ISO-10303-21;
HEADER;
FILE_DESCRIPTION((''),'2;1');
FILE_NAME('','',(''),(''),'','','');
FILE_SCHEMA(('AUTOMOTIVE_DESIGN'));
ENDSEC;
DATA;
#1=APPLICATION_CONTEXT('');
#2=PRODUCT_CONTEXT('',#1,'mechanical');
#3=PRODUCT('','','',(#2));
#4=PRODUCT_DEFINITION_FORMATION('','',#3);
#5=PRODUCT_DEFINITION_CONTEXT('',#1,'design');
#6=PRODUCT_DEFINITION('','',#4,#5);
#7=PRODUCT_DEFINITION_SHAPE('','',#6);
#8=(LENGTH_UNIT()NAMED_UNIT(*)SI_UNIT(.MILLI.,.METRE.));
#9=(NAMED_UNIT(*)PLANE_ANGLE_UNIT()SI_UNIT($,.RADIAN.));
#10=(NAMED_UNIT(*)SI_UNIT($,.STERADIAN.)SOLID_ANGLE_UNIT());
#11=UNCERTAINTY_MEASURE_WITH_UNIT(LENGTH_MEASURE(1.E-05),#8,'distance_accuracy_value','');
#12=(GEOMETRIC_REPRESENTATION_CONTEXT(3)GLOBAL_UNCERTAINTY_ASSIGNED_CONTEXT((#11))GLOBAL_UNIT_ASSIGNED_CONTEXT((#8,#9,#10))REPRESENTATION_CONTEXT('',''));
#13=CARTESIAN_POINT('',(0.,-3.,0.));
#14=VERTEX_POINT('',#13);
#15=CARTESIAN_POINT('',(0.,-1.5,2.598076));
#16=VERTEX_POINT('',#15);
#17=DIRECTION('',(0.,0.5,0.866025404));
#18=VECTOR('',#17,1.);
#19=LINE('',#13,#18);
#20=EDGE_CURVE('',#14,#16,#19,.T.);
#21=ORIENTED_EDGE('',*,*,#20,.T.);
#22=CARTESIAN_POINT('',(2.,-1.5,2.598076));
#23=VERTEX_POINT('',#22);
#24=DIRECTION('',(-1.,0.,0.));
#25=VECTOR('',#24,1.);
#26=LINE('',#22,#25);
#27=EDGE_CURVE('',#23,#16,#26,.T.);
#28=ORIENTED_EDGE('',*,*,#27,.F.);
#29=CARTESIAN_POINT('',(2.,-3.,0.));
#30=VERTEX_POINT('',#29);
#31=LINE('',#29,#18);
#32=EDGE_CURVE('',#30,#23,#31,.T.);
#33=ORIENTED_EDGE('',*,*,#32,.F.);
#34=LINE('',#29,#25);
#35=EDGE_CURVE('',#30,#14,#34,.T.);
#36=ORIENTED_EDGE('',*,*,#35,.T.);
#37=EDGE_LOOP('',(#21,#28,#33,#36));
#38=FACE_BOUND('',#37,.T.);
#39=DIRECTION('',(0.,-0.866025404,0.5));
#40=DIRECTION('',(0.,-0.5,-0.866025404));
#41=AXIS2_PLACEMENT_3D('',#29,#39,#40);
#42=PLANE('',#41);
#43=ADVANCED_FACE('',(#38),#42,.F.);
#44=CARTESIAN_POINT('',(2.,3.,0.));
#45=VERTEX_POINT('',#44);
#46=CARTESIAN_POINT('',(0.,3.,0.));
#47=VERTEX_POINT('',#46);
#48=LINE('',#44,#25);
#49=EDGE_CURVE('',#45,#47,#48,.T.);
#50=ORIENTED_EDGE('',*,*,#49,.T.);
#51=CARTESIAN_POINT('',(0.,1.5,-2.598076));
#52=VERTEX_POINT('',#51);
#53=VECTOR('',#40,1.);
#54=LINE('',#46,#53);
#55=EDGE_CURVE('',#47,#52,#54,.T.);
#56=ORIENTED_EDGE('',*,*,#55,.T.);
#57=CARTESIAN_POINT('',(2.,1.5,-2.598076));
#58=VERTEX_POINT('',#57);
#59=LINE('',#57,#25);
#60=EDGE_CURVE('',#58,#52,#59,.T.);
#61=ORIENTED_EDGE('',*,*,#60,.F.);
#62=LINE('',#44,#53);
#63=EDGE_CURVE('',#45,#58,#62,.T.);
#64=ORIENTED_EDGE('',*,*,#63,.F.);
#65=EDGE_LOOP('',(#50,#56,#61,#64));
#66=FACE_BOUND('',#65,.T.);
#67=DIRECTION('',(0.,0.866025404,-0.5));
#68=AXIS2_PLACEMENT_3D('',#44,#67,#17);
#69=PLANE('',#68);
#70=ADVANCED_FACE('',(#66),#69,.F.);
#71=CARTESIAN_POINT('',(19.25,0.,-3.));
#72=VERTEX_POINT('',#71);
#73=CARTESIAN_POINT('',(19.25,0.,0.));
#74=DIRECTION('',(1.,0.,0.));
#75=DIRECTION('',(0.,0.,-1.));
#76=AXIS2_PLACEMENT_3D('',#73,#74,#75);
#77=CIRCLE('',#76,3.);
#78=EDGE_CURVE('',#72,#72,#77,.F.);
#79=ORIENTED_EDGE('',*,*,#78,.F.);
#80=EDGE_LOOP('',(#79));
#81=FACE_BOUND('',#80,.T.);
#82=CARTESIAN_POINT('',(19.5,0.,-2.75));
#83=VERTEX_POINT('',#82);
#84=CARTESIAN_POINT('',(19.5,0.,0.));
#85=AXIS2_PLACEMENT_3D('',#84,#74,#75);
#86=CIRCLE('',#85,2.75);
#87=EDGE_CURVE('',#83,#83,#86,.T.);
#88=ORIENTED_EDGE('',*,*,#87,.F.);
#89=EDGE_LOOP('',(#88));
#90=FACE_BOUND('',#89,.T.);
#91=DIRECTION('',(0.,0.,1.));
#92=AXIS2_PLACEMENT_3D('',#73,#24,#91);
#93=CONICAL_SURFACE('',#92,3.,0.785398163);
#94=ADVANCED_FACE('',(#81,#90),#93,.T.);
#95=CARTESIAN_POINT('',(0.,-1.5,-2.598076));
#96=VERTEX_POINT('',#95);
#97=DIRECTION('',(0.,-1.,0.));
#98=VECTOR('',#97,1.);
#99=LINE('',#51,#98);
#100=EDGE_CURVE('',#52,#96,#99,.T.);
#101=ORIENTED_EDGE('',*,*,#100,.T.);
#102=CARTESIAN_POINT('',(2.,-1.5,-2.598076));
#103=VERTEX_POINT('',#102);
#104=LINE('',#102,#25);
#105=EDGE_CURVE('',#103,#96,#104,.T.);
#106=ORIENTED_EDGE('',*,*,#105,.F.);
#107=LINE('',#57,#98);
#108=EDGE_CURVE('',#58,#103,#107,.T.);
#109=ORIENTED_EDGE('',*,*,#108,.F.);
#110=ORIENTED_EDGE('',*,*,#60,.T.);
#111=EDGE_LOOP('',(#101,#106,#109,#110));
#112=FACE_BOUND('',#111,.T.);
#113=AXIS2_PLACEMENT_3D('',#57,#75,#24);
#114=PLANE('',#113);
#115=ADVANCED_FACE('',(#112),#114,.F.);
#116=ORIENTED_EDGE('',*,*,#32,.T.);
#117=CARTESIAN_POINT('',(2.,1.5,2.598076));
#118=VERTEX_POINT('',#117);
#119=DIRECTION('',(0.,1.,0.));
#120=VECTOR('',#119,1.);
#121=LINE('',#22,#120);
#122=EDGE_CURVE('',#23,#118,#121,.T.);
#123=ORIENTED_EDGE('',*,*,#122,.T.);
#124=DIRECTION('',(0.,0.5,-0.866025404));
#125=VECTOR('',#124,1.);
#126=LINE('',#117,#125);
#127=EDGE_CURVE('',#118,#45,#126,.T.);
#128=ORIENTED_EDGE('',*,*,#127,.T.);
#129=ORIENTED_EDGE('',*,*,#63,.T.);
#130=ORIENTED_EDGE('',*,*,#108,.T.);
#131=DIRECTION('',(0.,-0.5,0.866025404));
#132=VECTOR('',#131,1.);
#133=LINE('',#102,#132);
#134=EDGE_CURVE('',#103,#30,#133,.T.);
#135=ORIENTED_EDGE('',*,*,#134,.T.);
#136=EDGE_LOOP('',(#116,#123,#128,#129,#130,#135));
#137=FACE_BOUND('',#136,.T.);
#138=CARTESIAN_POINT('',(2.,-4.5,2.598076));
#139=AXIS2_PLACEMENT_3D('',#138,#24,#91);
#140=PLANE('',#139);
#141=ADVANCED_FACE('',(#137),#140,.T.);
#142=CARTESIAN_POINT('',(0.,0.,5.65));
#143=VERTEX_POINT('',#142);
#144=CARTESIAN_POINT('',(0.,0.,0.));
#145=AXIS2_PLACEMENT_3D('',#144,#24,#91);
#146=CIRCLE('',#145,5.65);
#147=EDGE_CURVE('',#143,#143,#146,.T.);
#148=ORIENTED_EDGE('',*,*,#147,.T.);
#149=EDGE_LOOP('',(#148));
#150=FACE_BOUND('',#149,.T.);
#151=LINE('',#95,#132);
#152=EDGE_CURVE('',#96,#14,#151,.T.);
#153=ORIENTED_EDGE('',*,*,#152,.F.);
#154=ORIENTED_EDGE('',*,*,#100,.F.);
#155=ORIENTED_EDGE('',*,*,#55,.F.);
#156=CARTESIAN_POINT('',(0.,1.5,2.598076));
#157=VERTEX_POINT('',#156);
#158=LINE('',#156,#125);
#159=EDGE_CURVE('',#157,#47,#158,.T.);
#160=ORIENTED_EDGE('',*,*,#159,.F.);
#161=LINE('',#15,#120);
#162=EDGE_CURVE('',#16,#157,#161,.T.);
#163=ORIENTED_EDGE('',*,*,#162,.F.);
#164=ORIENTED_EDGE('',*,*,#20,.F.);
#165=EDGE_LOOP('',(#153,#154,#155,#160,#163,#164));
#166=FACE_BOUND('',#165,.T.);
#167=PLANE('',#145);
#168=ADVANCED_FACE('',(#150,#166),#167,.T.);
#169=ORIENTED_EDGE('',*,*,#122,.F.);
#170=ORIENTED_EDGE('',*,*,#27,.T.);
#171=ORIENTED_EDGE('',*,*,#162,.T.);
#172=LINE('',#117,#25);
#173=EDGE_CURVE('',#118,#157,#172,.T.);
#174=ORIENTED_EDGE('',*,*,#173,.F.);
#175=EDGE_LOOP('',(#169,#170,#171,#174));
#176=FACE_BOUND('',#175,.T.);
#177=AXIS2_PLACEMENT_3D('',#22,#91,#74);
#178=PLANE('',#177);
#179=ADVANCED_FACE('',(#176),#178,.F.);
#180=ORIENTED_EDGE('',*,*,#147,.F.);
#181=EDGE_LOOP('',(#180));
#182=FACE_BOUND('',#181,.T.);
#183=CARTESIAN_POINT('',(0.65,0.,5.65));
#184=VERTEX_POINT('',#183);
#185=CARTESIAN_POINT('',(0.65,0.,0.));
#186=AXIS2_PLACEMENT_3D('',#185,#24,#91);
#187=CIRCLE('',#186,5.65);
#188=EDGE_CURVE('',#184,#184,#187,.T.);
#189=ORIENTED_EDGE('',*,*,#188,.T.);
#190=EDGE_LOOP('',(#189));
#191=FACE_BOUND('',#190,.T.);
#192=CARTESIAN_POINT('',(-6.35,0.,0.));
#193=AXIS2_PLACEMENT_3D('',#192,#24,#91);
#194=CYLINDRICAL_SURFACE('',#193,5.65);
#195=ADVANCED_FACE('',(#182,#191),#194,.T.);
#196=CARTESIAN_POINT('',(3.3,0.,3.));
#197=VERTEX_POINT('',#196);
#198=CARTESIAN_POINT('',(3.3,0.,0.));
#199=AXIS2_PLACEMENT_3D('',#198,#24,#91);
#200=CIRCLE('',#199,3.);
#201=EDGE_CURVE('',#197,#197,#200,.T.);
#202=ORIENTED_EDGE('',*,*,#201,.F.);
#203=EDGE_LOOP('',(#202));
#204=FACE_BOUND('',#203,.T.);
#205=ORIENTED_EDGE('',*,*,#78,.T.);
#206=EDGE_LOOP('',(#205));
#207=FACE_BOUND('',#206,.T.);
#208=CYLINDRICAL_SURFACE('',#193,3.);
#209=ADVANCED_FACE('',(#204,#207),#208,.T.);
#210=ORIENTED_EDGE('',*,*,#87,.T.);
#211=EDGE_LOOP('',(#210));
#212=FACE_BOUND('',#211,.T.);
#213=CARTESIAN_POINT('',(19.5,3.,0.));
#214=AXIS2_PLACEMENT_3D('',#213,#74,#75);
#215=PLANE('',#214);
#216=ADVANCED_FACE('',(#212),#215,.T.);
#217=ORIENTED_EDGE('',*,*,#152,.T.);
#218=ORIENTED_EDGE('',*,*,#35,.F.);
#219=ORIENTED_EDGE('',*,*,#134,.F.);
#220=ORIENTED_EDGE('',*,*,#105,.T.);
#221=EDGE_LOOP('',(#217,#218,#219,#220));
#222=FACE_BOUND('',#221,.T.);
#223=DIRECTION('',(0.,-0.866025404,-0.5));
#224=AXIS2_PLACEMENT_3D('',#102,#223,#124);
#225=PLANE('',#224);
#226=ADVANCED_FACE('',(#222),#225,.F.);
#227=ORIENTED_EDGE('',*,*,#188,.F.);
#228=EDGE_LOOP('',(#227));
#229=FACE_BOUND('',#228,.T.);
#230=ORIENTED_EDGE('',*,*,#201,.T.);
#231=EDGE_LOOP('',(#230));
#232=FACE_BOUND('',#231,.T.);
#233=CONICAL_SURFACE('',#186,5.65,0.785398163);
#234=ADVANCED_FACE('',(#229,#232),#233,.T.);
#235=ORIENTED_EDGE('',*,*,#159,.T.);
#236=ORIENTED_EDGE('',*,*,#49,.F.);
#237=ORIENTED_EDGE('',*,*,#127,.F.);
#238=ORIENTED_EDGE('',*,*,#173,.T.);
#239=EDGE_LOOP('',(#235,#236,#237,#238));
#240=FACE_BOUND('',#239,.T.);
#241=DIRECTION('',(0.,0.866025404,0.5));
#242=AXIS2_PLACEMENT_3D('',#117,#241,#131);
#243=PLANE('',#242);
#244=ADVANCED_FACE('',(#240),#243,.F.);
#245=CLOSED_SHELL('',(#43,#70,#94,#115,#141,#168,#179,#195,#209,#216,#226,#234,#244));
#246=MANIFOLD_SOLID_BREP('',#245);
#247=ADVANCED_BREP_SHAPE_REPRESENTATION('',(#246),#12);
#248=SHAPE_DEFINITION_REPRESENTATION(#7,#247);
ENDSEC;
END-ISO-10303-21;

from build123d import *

# Parameters (mm, degrees)
CUT_EXTRUDE1_DEPTH = 2
CHAMFER1_SIZE      = 0.25


with BuildPart() as part:
    # BodySke → Base-Revolve (revolve)
    with BuildSketch(Plane.XY, mode=Mode.PRIVATE) as base_revolve_sk:
        Polygon((0, 0), (0, 5.65), (0.65, 5.65), (3.3, 3), (19.5, 3), (19.5, 0), align=None)
    revolve(base_revolve_sk.sketch.rotate(Axis((-6.35, 0, 0), (1, 0, 0)), 90), axis=Axis((-6.35, 0, 0), (1, 0, 0)))  # turned: the seam where the file's is

    # Sketch1 → Cut-Extrude1 (cut)
    with BuildSketch(Plane.ZY):
        Polygon((0, -3), (2.598076211, -1.5), (2.598076211, 1.5), (0, 3), (-2.598076211, 1.5), (-2.598076211, -1.5), align=None)
    extrude(amount=-CUT_EXTRUDE1_DEPTH, mode=Mode.SUBTRACT)

    # Chamfer1
    chamfer1_edges = [part.edges().sort_by_distance(p)[0] for p in [
        (19.5, 0, -3),
    ]]
    chamfer(chamfer1_edges, length=CHAMFER1_SIZE)


solid = part.part
